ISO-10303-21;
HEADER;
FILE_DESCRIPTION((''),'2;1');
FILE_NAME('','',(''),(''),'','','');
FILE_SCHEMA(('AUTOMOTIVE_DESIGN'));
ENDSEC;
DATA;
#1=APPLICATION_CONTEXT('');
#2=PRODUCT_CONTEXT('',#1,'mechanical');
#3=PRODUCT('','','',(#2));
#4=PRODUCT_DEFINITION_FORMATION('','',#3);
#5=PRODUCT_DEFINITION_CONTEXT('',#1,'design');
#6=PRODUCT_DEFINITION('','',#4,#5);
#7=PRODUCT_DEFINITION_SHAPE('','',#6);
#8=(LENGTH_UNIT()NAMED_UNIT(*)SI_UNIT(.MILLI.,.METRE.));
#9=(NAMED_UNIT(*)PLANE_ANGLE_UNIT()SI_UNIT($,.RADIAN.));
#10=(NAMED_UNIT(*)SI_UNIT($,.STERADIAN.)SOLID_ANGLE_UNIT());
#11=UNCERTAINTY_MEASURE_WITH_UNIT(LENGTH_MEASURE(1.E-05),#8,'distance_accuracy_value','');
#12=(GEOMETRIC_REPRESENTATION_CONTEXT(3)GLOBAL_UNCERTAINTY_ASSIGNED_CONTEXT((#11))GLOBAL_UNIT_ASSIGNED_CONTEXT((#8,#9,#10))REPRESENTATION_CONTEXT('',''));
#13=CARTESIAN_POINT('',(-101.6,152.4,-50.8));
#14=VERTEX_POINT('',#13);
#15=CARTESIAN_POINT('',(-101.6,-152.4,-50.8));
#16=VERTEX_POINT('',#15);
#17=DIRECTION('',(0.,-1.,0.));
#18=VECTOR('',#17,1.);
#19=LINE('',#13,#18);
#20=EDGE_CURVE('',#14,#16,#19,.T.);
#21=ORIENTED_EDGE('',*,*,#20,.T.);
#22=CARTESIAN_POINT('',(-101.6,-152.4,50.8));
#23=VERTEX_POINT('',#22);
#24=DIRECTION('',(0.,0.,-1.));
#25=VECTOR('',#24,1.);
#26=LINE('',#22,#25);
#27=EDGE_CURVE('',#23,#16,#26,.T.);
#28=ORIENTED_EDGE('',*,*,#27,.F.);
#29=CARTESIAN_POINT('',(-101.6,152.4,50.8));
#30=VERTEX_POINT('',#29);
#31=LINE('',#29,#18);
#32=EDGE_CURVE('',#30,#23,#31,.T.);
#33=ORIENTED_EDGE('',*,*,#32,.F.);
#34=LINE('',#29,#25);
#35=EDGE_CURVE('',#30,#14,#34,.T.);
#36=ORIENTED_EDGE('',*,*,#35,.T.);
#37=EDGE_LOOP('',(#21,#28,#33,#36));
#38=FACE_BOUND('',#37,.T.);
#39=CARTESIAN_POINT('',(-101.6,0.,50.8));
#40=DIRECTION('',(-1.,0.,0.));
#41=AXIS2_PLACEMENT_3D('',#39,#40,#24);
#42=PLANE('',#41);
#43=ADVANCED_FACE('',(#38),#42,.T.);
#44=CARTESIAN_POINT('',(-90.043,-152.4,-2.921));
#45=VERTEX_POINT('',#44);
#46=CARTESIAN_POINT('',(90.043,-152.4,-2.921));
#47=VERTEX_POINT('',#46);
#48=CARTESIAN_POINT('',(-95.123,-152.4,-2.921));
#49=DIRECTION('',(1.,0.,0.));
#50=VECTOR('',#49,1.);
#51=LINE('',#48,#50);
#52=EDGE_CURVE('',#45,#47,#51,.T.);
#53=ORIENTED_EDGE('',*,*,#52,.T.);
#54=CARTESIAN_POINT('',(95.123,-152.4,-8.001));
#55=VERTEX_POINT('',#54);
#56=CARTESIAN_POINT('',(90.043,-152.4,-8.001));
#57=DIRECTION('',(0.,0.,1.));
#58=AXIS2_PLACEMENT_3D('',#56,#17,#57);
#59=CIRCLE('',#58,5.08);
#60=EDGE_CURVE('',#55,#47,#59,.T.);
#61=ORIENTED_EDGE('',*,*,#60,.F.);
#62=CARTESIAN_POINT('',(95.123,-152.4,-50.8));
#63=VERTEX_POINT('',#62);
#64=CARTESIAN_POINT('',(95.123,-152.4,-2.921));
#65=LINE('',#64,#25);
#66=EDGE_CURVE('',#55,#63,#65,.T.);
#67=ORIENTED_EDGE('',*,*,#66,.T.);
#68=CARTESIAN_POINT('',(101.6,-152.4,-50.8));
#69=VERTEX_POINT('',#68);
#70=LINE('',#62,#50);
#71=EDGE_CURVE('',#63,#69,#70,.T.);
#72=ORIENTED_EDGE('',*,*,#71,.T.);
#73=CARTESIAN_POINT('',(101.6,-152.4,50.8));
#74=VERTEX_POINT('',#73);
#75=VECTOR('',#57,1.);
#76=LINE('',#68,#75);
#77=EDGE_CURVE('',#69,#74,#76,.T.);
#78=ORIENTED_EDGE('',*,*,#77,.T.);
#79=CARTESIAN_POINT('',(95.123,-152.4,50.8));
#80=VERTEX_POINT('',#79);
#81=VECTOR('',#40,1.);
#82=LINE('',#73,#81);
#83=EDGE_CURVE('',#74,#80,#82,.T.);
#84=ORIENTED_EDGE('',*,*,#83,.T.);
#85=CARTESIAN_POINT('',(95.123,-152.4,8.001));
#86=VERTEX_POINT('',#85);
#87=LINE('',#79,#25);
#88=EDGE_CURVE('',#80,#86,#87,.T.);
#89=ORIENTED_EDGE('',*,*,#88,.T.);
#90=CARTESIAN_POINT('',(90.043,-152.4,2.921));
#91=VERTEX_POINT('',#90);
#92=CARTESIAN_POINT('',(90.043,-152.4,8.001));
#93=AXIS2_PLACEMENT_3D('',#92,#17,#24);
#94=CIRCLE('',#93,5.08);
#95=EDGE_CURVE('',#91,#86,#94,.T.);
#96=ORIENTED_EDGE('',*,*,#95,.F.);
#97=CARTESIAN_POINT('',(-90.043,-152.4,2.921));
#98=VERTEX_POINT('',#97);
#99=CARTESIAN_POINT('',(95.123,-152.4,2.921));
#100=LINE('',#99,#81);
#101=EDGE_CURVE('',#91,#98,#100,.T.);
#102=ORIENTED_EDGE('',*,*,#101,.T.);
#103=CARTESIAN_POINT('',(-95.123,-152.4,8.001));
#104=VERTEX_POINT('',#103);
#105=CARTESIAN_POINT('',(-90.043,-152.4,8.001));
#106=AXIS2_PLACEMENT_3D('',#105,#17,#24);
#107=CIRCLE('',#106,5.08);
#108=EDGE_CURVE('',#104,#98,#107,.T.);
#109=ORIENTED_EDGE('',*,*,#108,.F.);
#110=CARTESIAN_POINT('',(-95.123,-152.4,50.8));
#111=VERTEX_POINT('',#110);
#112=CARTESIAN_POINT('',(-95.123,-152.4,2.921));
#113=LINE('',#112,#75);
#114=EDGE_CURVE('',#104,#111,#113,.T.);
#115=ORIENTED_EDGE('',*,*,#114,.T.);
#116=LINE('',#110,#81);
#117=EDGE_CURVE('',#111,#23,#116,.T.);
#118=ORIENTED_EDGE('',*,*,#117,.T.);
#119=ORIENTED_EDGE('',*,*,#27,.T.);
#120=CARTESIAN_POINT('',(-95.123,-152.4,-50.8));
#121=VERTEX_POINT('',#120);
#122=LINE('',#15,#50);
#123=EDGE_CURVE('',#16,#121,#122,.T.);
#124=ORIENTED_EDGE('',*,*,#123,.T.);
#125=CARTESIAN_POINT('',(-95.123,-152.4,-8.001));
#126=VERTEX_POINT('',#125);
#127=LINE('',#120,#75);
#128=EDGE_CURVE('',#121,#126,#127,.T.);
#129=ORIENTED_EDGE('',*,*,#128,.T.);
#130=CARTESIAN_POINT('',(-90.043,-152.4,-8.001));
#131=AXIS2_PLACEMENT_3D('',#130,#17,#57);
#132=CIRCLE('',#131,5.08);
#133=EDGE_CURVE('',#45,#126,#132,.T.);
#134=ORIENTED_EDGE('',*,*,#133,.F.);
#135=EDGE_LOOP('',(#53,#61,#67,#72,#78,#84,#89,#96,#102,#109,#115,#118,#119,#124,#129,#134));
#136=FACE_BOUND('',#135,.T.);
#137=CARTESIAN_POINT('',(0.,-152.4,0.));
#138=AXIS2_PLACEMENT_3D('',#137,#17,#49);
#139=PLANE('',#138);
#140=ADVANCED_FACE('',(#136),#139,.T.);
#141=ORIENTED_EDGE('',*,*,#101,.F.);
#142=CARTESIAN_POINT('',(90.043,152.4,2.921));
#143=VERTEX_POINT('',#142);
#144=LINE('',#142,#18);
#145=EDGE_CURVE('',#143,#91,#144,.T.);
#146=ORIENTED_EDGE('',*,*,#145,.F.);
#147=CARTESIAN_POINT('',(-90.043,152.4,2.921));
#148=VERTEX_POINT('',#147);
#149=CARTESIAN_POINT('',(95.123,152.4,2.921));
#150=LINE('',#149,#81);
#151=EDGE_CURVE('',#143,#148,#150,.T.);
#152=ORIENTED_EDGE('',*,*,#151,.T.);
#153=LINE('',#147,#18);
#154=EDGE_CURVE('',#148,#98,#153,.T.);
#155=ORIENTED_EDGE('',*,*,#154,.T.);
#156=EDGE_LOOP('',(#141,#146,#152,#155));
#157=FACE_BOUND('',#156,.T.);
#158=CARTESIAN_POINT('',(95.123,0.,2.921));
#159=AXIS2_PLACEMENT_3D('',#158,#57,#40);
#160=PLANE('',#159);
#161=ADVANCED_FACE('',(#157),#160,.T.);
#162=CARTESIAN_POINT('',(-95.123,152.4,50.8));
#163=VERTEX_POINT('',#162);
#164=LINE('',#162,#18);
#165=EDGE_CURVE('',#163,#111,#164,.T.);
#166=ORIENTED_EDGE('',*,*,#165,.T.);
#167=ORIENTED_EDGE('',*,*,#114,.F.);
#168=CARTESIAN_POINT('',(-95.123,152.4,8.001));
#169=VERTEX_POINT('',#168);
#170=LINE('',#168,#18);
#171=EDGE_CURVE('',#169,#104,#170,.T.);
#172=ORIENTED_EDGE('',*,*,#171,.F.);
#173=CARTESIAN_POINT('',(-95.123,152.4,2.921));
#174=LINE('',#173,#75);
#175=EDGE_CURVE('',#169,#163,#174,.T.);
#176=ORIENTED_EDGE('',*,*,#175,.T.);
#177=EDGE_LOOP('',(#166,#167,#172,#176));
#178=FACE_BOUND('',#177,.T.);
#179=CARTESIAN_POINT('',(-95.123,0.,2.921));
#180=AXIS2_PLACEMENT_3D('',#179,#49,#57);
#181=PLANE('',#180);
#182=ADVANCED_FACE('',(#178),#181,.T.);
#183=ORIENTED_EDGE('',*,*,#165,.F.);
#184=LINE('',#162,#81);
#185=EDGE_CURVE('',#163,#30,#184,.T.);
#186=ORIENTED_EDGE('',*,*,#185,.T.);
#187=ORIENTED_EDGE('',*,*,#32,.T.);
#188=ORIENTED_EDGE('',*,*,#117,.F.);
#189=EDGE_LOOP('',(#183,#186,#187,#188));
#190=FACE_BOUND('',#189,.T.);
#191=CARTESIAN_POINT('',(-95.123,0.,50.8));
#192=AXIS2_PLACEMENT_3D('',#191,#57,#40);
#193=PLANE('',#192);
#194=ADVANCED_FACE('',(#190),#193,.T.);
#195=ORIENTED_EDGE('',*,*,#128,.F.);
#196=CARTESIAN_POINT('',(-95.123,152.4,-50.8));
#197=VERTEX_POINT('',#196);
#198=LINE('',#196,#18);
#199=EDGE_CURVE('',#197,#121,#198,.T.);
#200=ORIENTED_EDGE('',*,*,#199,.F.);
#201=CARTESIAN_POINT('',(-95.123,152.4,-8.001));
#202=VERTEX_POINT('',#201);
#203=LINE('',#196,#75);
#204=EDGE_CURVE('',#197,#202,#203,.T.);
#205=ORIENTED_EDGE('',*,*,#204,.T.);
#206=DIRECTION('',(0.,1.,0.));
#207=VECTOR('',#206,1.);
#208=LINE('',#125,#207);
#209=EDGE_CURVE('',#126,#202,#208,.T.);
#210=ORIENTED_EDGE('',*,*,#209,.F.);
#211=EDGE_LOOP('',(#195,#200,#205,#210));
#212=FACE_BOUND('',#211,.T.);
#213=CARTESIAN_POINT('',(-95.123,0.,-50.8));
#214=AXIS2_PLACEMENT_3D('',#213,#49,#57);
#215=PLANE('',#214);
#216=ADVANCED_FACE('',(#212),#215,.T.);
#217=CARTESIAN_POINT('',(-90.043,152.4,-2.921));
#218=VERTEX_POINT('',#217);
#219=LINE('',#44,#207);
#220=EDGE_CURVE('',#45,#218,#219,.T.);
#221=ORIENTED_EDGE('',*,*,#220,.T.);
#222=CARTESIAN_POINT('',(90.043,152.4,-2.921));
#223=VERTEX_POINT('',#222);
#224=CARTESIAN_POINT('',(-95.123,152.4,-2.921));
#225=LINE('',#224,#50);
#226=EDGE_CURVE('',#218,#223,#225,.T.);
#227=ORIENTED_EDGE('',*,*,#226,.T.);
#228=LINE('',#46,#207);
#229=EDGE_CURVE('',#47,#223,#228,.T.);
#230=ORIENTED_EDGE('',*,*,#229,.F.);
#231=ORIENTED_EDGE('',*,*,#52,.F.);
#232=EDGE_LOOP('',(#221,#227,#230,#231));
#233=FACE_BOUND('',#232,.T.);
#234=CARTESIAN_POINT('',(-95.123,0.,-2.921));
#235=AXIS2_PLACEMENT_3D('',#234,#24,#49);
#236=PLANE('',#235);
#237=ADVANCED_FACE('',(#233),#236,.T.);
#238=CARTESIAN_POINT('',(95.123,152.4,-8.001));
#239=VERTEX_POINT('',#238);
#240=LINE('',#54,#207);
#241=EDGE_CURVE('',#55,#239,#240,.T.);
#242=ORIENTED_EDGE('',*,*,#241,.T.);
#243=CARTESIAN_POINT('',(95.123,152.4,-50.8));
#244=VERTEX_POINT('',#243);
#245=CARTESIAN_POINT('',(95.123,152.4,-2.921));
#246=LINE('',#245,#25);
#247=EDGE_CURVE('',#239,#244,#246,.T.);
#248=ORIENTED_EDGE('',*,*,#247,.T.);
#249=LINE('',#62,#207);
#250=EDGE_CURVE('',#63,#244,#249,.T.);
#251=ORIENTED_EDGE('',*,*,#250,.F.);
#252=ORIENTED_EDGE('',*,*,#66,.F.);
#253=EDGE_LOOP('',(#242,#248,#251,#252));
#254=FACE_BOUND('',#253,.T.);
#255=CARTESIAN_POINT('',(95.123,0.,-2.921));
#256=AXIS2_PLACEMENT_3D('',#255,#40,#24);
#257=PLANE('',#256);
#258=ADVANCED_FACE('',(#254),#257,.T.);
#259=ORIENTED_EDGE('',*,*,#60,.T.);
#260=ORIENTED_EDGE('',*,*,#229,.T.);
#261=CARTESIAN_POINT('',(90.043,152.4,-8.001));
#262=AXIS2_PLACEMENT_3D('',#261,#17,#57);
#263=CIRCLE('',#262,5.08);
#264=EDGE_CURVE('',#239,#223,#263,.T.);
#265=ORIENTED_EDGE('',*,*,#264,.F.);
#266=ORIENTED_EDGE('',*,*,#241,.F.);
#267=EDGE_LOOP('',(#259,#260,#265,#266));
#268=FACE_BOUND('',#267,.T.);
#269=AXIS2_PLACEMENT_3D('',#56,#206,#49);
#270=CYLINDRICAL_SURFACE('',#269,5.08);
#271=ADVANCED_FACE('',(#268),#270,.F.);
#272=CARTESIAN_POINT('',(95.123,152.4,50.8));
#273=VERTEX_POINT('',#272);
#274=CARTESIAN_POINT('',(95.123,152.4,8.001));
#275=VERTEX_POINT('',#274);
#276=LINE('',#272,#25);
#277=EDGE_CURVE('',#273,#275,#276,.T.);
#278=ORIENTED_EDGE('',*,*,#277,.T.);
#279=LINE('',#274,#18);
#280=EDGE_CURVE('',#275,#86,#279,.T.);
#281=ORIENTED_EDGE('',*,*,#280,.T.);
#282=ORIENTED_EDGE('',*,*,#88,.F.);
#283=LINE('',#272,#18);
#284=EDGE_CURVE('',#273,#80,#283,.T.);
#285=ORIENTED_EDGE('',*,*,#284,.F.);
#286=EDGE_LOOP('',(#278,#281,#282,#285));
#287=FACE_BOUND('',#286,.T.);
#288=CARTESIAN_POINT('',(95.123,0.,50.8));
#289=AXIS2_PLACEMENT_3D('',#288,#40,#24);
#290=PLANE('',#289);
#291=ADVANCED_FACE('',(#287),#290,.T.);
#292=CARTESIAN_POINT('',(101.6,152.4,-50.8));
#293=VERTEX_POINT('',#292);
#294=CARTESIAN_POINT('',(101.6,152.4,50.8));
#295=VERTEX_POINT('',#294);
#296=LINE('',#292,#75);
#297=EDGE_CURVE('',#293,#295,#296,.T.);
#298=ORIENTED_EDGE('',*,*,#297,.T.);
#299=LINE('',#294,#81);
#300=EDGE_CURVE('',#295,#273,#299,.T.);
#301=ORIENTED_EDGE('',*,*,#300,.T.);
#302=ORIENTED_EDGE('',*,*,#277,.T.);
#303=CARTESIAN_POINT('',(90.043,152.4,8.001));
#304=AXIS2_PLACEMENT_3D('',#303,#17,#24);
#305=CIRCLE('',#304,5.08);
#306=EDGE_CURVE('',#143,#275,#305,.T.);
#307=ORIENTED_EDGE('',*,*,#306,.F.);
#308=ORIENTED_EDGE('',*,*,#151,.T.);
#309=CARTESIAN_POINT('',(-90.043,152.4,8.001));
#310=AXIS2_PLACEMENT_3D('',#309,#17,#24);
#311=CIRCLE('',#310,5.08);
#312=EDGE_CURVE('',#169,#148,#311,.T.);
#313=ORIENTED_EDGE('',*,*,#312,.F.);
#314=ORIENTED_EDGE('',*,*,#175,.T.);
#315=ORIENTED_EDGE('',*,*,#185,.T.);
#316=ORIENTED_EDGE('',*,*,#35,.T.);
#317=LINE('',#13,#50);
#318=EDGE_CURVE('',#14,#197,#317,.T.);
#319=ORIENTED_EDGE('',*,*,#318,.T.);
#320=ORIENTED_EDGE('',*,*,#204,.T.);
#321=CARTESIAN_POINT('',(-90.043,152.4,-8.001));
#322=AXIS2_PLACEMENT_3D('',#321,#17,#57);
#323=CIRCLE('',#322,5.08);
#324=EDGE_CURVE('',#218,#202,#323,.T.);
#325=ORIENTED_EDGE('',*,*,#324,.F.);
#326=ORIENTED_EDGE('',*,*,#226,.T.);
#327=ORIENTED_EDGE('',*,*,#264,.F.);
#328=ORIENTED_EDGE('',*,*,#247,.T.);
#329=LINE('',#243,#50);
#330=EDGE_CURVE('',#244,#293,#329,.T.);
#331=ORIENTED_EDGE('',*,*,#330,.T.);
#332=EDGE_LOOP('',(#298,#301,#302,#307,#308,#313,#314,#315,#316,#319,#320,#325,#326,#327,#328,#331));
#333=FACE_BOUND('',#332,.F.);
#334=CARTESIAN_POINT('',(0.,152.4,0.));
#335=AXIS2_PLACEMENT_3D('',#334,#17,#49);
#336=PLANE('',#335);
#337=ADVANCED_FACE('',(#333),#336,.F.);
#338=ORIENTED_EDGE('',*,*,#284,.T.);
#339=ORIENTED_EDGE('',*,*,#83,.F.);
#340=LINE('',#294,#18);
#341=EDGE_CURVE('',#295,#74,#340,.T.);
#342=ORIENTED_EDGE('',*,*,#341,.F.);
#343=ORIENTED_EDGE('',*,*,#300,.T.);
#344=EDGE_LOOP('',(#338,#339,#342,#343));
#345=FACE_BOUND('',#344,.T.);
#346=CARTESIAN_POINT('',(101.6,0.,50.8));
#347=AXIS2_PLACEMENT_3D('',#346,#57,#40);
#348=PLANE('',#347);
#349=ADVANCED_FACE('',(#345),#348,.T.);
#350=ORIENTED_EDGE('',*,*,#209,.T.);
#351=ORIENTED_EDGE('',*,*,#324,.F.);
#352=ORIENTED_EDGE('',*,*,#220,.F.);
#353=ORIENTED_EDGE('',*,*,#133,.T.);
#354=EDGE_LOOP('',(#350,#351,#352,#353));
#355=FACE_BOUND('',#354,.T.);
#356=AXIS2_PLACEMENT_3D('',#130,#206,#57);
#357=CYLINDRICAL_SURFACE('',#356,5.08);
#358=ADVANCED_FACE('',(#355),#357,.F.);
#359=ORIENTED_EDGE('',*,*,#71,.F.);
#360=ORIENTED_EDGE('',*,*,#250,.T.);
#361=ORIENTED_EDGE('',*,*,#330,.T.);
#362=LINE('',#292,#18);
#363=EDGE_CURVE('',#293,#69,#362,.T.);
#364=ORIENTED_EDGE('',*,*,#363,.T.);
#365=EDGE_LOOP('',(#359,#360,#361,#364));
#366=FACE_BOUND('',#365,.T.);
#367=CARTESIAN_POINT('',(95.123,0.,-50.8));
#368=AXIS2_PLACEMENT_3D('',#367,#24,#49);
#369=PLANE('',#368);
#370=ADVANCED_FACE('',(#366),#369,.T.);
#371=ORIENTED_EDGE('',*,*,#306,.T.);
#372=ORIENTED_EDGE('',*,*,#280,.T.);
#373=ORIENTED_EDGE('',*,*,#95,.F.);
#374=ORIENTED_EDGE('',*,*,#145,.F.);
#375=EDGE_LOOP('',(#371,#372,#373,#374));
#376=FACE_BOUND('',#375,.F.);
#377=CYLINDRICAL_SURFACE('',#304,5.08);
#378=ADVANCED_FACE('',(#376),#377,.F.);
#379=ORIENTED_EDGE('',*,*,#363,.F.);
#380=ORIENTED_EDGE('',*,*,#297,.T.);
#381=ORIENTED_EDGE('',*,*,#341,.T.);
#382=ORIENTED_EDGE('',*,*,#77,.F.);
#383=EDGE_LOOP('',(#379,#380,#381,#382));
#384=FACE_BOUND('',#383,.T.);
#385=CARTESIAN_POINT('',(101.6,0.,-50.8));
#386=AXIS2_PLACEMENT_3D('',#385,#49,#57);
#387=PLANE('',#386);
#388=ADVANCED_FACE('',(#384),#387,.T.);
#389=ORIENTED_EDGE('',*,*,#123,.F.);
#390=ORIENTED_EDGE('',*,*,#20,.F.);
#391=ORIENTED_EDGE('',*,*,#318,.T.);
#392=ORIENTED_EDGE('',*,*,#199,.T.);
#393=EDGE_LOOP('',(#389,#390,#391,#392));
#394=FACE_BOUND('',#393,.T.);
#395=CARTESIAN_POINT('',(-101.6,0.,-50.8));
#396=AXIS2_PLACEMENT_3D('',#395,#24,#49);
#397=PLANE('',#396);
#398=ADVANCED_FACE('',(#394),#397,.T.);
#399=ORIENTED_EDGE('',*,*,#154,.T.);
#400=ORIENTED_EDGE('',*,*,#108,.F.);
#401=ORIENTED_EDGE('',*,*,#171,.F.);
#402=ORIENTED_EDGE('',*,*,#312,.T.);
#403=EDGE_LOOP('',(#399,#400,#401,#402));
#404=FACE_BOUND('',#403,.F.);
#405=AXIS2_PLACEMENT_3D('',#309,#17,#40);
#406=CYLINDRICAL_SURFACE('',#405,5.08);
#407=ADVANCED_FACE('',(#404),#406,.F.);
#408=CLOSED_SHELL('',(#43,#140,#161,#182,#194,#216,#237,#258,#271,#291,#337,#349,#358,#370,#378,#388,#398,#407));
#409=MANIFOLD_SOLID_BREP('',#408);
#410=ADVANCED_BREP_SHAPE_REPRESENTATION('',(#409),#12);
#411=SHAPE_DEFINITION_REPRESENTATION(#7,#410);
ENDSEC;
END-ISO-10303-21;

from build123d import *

# Parameters (mm, degrees)
F1_DEPTH = 152.4
F2_R     = 5.08


with BuildPart() as f1:
    # F0 (on Front) → F1 (new body, symmetric)
    with BuildSketch(Plane.XZ):
        Polygon((95.123, -50.8), (101.6, -50.8), (101.6, 50.8), (95.123, 50.8), (95.123, 2.921), (-95.123, 2.921), (-95.123, 50.8), (-101.6, 50.8), (-101.6, -50.8), (-95.123, -50.8), (-95.123, -2.921), (95.123, -2.921), align=None)
    extrude(amount=F1_DEPTH, both=True)

    # F2
    f2_edges = [f1.edges().sort_by_distance(p)[0] for p in [
        (-95.123, 0, 2.921),
        (-95.123, 0, -2.921),
        (95.123, 0, -2.921),
        (95.123, 0, 2.921),
    ]]
    fillet(f2_edges, radius=F2_R)


solid = f1.part
